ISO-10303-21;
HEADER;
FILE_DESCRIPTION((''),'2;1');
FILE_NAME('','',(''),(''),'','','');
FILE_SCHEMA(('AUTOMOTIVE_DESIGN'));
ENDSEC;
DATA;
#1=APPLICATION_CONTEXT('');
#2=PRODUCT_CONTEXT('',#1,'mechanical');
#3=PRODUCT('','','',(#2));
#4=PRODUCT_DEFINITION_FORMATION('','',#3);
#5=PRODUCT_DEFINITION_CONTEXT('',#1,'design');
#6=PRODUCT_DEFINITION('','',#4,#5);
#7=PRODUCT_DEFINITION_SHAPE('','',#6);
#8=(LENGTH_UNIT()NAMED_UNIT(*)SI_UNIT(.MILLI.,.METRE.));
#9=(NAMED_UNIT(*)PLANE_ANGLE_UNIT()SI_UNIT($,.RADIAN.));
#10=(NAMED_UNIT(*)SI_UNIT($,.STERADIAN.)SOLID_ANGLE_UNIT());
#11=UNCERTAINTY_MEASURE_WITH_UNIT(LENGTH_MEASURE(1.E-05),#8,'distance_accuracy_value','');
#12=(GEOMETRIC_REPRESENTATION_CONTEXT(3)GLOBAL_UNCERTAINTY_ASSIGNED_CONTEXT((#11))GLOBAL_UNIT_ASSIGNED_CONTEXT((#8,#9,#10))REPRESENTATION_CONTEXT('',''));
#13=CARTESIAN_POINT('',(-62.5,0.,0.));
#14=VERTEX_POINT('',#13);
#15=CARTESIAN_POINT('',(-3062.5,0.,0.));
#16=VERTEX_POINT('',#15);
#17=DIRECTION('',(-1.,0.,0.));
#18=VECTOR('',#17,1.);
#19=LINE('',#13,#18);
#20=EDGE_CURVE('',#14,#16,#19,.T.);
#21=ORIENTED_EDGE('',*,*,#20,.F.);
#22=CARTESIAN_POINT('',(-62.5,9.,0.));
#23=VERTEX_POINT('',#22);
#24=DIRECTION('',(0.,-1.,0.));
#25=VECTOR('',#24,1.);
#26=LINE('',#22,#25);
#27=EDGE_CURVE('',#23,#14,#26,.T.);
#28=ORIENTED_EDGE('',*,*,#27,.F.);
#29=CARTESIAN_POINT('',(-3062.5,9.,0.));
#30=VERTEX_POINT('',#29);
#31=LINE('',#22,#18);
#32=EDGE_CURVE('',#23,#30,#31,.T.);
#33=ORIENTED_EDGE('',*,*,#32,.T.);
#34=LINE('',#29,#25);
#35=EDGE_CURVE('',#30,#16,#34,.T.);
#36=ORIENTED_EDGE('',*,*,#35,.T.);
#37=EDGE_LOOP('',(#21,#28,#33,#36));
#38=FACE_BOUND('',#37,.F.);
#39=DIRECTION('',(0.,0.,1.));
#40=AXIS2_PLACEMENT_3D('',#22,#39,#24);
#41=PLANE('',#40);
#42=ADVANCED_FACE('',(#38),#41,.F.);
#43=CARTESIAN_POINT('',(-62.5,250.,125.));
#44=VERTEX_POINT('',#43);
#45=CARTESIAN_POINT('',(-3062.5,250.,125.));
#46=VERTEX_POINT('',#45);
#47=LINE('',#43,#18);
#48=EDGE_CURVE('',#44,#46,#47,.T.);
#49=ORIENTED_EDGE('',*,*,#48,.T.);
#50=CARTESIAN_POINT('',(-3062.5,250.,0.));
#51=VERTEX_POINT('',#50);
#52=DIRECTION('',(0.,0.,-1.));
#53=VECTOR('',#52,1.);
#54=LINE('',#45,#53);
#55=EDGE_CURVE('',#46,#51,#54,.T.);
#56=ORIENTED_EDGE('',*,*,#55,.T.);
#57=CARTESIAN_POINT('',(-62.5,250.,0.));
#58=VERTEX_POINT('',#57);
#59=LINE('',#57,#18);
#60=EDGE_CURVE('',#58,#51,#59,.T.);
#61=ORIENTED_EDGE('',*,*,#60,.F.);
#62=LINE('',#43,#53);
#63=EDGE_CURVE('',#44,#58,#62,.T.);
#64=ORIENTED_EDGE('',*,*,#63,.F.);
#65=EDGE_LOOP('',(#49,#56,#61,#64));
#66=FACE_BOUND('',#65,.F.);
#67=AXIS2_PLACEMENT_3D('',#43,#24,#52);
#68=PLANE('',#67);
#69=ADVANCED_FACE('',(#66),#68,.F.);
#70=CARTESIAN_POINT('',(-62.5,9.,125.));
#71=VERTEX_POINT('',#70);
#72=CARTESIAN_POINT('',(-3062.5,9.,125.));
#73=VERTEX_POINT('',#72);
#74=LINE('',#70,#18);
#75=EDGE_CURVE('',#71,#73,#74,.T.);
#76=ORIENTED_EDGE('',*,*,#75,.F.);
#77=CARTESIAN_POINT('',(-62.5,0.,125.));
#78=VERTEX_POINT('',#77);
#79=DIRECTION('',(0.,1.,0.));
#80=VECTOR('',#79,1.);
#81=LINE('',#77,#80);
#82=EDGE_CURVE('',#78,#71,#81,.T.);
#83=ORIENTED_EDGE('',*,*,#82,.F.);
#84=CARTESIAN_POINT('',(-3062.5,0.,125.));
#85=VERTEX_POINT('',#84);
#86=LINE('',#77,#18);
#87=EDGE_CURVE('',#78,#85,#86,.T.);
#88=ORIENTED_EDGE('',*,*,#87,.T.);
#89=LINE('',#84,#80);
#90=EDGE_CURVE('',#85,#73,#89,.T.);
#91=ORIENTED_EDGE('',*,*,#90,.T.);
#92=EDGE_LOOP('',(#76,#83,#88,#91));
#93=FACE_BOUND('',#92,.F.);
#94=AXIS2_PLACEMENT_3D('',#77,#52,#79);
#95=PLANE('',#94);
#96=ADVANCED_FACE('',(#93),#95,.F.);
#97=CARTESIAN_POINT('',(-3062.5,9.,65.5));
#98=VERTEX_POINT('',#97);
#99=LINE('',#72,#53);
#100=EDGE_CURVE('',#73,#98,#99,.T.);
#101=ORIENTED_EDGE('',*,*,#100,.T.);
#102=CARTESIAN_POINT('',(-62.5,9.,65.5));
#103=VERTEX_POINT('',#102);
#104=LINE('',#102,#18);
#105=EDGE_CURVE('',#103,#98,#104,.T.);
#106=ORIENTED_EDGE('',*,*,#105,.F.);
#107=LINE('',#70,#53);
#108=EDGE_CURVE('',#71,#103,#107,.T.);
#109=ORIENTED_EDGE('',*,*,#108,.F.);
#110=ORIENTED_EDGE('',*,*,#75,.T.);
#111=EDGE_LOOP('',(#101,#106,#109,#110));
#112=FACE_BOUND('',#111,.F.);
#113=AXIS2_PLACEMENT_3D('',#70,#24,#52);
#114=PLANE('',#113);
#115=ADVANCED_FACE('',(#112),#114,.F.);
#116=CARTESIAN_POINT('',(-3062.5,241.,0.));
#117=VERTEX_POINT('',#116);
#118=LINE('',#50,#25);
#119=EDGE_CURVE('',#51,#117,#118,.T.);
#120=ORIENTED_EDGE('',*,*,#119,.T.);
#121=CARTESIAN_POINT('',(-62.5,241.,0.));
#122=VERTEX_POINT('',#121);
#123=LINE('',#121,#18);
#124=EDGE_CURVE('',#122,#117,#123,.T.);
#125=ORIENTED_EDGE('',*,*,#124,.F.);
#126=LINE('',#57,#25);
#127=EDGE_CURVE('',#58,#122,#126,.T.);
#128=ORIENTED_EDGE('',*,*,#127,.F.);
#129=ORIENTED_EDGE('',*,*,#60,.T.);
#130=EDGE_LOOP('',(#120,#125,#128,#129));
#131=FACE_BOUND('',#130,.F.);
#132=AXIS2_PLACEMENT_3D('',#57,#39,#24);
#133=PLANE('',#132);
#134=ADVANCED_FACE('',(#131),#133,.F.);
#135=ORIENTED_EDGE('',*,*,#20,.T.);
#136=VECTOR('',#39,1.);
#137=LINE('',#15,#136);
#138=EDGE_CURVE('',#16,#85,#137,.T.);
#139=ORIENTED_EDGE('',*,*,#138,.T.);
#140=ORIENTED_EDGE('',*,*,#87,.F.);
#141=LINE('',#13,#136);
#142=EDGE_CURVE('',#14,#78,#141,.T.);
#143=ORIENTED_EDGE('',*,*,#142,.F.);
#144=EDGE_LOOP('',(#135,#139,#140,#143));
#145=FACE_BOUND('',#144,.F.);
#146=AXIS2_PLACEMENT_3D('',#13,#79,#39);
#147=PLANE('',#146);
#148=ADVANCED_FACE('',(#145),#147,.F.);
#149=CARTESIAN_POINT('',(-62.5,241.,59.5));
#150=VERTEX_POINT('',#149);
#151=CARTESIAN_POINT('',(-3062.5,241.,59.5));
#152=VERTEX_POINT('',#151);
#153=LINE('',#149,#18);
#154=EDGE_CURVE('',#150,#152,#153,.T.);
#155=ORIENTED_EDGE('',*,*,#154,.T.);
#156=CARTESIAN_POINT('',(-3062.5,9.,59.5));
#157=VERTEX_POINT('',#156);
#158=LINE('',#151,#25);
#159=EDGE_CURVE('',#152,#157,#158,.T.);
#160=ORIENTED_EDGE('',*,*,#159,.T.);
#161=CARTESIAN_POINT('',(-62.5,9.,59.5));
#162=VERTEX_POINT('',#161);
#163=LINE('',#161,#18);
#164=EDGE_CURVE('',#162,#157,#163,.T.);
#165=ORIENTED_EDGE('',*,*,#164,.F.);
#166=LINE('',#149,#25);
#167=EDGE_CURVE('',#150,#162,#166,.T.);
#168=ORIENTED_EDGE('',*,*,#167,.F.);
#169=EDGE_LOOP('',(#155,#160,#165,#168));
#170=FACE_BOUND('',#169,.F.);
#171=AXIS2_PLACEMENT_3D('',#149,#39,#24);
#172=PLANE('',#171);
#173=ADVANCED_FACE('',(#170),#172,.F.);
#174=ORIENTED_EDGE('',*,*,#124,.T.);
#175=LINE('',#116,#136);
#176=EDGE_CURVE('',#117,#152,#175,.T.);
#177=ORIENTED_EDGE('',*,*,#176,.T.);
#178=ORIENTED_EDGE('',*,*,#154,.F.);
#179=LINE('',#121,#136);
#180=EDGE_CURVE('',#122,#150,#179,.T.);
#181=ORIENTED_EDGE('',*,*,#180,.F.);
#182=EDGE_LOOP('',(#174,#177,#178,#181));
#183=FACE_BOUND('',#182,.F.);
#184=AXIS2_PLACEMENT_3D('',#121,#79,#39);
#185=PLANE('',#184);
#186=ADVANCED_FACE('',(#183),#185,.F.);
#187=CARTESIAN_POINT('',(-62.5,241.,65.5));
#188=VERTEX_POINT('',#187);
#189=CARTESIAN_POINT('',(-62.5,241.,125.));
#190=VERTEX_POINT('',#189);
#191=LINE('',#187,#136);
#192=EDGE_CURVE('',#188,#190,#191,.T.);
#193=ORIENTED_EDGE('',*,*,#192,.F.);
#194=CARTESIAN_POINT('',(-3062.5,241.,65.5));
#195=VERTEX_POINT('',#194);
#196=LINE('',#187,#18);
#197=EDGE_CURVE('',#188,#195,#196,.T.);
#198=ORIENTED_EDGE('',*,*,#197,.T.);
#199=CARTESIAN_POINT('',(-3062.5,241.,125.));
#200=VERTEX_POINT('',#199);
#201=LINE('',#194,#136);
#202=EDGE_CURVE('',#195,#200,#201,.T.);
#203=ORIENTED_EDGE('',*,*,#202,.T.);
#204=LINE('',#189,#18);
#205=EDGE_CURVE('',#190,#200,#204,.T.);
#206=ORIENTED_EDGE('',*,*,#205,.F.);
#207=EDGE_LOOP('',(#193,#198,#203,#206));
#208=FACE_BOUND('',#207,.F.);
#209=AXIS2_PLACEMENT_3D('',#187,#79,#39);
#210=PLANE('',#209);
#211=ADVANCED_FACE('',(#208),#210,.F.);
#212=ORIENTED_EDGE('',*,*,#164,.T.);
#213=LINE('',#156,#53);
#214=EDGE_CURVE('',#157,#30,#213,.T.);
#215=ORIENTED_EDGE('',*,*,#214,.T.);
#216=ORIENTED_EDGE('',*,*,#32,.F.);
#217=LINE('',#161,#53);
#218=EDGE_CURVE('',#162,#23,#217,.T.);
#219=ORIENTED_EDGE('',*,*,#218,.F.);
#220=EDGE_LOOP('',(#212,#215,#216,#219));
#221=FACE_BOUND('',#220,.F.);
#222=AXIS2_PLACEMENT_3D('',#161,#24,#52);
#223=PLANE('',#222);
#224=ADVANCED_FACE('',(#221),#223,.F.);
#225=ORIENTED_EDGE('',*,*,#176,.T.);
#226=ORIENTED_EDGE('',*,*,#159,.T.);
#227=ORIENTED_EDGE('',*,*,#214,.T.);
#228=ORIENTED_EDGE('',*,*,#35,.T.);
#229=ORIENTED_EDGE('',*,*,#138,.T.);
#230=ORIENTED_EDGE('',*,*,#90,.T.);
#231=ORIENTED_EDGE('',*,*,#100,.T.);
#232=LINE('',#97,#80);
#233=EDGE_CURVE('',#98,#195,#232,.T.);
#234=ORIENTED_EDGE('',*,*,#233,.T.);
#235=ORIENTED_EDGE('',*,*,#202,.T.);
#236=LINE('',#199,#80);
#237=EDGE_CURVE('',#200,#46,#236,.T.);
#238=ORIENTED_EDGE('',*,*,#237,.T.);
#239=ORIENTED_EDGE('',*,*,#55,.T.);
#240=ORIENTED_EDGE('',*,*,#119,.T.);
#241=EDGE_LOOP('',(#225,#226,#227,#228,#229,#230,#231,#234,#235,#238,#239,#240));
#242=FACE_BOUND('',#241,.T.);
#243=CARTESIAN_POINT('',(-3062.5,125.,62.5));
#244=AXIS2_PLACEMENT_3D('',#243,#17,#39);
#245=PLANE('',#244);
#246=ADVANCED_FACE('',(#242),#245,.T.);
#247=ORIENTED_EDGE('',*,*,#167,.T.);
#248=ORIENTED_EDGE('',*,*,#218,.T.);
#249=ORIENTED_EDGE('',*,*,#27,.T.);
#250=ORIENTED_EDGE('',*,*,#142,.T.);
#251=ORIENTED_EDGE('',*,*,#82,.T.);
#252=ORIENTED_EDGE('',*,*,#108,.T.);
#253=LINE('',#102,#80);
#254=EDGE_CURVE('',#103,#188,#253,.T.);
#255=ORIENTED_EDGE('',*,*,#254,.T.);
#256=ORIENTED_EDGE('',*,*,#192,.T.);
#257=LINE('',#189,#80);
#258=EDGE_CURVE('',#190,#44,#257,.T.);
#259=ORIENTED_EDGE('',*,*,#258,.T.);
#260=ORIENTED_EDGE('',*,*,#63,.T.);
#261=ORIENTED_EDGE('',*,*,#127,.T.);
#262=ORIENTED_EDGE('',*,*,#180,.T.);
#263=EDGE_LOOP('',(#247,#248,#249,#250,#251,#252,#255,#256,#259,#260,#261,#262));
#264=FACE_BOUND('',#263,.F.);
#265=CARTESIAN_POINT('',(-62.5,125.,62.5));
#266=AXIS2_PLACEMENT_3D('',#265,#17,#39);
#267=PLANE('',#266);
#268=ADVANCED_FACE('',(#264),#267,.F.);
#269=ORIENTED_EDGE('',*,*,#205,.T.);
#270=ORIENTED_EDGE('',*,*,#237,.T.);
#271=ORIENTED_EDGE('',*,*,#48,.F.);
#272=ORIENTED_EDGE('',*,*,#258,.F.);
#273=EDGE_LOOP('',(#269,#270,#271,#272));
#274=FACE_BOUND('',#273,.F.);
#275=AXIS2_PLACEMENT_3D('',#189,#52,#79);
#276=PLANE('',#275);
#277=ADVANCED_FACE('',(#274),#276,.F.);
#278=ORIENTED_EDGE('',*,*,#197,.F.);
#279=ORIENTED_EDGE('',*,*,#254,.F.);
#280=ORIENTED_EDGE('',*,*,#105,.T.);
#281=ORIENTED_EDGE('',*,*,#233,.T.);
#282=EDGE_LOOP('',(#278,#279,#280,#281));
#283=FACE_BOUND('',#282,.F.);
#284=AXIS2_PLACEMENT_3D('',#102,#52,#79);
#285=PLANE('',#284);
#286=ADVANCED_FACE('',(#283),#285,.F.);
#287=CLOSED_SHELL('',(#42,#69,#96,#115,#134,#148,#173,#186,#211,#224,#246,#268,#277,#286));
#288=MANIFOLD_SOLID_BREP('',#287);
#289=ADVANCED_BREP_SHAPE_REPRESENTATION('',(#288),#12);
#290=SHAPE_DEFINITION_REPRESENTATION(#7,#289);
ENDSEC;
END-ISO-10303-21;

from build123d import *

# Parameters (mm, degrees)
F1_DEPTH = 3000
F2_ANGLE = 90


with BuildPart() as f1:
    # F0 (on Top) → F1 (new body)
    with BuildSketch(Plane.XY):
        Polygon((62.5, 250), (0, 250), (-62.5, 250), (-62.5, 241), (-3, 241), (-3, 9), (-62.5, 9), (-62.5, 0), (0, 0), (62.5, 0), (62.5, 9), (3, 9), (3, 241), (62.5, 241), align=None)
    extrude(amount=F1_DEPTH)


with BuildPart() as f1_1:
    # F2: moved
    add(f1.part.rotate(Axis((-62.5, 4.5, 0), (0, -1, 0)), F2_ANGLE))


solid = f1_1.part
